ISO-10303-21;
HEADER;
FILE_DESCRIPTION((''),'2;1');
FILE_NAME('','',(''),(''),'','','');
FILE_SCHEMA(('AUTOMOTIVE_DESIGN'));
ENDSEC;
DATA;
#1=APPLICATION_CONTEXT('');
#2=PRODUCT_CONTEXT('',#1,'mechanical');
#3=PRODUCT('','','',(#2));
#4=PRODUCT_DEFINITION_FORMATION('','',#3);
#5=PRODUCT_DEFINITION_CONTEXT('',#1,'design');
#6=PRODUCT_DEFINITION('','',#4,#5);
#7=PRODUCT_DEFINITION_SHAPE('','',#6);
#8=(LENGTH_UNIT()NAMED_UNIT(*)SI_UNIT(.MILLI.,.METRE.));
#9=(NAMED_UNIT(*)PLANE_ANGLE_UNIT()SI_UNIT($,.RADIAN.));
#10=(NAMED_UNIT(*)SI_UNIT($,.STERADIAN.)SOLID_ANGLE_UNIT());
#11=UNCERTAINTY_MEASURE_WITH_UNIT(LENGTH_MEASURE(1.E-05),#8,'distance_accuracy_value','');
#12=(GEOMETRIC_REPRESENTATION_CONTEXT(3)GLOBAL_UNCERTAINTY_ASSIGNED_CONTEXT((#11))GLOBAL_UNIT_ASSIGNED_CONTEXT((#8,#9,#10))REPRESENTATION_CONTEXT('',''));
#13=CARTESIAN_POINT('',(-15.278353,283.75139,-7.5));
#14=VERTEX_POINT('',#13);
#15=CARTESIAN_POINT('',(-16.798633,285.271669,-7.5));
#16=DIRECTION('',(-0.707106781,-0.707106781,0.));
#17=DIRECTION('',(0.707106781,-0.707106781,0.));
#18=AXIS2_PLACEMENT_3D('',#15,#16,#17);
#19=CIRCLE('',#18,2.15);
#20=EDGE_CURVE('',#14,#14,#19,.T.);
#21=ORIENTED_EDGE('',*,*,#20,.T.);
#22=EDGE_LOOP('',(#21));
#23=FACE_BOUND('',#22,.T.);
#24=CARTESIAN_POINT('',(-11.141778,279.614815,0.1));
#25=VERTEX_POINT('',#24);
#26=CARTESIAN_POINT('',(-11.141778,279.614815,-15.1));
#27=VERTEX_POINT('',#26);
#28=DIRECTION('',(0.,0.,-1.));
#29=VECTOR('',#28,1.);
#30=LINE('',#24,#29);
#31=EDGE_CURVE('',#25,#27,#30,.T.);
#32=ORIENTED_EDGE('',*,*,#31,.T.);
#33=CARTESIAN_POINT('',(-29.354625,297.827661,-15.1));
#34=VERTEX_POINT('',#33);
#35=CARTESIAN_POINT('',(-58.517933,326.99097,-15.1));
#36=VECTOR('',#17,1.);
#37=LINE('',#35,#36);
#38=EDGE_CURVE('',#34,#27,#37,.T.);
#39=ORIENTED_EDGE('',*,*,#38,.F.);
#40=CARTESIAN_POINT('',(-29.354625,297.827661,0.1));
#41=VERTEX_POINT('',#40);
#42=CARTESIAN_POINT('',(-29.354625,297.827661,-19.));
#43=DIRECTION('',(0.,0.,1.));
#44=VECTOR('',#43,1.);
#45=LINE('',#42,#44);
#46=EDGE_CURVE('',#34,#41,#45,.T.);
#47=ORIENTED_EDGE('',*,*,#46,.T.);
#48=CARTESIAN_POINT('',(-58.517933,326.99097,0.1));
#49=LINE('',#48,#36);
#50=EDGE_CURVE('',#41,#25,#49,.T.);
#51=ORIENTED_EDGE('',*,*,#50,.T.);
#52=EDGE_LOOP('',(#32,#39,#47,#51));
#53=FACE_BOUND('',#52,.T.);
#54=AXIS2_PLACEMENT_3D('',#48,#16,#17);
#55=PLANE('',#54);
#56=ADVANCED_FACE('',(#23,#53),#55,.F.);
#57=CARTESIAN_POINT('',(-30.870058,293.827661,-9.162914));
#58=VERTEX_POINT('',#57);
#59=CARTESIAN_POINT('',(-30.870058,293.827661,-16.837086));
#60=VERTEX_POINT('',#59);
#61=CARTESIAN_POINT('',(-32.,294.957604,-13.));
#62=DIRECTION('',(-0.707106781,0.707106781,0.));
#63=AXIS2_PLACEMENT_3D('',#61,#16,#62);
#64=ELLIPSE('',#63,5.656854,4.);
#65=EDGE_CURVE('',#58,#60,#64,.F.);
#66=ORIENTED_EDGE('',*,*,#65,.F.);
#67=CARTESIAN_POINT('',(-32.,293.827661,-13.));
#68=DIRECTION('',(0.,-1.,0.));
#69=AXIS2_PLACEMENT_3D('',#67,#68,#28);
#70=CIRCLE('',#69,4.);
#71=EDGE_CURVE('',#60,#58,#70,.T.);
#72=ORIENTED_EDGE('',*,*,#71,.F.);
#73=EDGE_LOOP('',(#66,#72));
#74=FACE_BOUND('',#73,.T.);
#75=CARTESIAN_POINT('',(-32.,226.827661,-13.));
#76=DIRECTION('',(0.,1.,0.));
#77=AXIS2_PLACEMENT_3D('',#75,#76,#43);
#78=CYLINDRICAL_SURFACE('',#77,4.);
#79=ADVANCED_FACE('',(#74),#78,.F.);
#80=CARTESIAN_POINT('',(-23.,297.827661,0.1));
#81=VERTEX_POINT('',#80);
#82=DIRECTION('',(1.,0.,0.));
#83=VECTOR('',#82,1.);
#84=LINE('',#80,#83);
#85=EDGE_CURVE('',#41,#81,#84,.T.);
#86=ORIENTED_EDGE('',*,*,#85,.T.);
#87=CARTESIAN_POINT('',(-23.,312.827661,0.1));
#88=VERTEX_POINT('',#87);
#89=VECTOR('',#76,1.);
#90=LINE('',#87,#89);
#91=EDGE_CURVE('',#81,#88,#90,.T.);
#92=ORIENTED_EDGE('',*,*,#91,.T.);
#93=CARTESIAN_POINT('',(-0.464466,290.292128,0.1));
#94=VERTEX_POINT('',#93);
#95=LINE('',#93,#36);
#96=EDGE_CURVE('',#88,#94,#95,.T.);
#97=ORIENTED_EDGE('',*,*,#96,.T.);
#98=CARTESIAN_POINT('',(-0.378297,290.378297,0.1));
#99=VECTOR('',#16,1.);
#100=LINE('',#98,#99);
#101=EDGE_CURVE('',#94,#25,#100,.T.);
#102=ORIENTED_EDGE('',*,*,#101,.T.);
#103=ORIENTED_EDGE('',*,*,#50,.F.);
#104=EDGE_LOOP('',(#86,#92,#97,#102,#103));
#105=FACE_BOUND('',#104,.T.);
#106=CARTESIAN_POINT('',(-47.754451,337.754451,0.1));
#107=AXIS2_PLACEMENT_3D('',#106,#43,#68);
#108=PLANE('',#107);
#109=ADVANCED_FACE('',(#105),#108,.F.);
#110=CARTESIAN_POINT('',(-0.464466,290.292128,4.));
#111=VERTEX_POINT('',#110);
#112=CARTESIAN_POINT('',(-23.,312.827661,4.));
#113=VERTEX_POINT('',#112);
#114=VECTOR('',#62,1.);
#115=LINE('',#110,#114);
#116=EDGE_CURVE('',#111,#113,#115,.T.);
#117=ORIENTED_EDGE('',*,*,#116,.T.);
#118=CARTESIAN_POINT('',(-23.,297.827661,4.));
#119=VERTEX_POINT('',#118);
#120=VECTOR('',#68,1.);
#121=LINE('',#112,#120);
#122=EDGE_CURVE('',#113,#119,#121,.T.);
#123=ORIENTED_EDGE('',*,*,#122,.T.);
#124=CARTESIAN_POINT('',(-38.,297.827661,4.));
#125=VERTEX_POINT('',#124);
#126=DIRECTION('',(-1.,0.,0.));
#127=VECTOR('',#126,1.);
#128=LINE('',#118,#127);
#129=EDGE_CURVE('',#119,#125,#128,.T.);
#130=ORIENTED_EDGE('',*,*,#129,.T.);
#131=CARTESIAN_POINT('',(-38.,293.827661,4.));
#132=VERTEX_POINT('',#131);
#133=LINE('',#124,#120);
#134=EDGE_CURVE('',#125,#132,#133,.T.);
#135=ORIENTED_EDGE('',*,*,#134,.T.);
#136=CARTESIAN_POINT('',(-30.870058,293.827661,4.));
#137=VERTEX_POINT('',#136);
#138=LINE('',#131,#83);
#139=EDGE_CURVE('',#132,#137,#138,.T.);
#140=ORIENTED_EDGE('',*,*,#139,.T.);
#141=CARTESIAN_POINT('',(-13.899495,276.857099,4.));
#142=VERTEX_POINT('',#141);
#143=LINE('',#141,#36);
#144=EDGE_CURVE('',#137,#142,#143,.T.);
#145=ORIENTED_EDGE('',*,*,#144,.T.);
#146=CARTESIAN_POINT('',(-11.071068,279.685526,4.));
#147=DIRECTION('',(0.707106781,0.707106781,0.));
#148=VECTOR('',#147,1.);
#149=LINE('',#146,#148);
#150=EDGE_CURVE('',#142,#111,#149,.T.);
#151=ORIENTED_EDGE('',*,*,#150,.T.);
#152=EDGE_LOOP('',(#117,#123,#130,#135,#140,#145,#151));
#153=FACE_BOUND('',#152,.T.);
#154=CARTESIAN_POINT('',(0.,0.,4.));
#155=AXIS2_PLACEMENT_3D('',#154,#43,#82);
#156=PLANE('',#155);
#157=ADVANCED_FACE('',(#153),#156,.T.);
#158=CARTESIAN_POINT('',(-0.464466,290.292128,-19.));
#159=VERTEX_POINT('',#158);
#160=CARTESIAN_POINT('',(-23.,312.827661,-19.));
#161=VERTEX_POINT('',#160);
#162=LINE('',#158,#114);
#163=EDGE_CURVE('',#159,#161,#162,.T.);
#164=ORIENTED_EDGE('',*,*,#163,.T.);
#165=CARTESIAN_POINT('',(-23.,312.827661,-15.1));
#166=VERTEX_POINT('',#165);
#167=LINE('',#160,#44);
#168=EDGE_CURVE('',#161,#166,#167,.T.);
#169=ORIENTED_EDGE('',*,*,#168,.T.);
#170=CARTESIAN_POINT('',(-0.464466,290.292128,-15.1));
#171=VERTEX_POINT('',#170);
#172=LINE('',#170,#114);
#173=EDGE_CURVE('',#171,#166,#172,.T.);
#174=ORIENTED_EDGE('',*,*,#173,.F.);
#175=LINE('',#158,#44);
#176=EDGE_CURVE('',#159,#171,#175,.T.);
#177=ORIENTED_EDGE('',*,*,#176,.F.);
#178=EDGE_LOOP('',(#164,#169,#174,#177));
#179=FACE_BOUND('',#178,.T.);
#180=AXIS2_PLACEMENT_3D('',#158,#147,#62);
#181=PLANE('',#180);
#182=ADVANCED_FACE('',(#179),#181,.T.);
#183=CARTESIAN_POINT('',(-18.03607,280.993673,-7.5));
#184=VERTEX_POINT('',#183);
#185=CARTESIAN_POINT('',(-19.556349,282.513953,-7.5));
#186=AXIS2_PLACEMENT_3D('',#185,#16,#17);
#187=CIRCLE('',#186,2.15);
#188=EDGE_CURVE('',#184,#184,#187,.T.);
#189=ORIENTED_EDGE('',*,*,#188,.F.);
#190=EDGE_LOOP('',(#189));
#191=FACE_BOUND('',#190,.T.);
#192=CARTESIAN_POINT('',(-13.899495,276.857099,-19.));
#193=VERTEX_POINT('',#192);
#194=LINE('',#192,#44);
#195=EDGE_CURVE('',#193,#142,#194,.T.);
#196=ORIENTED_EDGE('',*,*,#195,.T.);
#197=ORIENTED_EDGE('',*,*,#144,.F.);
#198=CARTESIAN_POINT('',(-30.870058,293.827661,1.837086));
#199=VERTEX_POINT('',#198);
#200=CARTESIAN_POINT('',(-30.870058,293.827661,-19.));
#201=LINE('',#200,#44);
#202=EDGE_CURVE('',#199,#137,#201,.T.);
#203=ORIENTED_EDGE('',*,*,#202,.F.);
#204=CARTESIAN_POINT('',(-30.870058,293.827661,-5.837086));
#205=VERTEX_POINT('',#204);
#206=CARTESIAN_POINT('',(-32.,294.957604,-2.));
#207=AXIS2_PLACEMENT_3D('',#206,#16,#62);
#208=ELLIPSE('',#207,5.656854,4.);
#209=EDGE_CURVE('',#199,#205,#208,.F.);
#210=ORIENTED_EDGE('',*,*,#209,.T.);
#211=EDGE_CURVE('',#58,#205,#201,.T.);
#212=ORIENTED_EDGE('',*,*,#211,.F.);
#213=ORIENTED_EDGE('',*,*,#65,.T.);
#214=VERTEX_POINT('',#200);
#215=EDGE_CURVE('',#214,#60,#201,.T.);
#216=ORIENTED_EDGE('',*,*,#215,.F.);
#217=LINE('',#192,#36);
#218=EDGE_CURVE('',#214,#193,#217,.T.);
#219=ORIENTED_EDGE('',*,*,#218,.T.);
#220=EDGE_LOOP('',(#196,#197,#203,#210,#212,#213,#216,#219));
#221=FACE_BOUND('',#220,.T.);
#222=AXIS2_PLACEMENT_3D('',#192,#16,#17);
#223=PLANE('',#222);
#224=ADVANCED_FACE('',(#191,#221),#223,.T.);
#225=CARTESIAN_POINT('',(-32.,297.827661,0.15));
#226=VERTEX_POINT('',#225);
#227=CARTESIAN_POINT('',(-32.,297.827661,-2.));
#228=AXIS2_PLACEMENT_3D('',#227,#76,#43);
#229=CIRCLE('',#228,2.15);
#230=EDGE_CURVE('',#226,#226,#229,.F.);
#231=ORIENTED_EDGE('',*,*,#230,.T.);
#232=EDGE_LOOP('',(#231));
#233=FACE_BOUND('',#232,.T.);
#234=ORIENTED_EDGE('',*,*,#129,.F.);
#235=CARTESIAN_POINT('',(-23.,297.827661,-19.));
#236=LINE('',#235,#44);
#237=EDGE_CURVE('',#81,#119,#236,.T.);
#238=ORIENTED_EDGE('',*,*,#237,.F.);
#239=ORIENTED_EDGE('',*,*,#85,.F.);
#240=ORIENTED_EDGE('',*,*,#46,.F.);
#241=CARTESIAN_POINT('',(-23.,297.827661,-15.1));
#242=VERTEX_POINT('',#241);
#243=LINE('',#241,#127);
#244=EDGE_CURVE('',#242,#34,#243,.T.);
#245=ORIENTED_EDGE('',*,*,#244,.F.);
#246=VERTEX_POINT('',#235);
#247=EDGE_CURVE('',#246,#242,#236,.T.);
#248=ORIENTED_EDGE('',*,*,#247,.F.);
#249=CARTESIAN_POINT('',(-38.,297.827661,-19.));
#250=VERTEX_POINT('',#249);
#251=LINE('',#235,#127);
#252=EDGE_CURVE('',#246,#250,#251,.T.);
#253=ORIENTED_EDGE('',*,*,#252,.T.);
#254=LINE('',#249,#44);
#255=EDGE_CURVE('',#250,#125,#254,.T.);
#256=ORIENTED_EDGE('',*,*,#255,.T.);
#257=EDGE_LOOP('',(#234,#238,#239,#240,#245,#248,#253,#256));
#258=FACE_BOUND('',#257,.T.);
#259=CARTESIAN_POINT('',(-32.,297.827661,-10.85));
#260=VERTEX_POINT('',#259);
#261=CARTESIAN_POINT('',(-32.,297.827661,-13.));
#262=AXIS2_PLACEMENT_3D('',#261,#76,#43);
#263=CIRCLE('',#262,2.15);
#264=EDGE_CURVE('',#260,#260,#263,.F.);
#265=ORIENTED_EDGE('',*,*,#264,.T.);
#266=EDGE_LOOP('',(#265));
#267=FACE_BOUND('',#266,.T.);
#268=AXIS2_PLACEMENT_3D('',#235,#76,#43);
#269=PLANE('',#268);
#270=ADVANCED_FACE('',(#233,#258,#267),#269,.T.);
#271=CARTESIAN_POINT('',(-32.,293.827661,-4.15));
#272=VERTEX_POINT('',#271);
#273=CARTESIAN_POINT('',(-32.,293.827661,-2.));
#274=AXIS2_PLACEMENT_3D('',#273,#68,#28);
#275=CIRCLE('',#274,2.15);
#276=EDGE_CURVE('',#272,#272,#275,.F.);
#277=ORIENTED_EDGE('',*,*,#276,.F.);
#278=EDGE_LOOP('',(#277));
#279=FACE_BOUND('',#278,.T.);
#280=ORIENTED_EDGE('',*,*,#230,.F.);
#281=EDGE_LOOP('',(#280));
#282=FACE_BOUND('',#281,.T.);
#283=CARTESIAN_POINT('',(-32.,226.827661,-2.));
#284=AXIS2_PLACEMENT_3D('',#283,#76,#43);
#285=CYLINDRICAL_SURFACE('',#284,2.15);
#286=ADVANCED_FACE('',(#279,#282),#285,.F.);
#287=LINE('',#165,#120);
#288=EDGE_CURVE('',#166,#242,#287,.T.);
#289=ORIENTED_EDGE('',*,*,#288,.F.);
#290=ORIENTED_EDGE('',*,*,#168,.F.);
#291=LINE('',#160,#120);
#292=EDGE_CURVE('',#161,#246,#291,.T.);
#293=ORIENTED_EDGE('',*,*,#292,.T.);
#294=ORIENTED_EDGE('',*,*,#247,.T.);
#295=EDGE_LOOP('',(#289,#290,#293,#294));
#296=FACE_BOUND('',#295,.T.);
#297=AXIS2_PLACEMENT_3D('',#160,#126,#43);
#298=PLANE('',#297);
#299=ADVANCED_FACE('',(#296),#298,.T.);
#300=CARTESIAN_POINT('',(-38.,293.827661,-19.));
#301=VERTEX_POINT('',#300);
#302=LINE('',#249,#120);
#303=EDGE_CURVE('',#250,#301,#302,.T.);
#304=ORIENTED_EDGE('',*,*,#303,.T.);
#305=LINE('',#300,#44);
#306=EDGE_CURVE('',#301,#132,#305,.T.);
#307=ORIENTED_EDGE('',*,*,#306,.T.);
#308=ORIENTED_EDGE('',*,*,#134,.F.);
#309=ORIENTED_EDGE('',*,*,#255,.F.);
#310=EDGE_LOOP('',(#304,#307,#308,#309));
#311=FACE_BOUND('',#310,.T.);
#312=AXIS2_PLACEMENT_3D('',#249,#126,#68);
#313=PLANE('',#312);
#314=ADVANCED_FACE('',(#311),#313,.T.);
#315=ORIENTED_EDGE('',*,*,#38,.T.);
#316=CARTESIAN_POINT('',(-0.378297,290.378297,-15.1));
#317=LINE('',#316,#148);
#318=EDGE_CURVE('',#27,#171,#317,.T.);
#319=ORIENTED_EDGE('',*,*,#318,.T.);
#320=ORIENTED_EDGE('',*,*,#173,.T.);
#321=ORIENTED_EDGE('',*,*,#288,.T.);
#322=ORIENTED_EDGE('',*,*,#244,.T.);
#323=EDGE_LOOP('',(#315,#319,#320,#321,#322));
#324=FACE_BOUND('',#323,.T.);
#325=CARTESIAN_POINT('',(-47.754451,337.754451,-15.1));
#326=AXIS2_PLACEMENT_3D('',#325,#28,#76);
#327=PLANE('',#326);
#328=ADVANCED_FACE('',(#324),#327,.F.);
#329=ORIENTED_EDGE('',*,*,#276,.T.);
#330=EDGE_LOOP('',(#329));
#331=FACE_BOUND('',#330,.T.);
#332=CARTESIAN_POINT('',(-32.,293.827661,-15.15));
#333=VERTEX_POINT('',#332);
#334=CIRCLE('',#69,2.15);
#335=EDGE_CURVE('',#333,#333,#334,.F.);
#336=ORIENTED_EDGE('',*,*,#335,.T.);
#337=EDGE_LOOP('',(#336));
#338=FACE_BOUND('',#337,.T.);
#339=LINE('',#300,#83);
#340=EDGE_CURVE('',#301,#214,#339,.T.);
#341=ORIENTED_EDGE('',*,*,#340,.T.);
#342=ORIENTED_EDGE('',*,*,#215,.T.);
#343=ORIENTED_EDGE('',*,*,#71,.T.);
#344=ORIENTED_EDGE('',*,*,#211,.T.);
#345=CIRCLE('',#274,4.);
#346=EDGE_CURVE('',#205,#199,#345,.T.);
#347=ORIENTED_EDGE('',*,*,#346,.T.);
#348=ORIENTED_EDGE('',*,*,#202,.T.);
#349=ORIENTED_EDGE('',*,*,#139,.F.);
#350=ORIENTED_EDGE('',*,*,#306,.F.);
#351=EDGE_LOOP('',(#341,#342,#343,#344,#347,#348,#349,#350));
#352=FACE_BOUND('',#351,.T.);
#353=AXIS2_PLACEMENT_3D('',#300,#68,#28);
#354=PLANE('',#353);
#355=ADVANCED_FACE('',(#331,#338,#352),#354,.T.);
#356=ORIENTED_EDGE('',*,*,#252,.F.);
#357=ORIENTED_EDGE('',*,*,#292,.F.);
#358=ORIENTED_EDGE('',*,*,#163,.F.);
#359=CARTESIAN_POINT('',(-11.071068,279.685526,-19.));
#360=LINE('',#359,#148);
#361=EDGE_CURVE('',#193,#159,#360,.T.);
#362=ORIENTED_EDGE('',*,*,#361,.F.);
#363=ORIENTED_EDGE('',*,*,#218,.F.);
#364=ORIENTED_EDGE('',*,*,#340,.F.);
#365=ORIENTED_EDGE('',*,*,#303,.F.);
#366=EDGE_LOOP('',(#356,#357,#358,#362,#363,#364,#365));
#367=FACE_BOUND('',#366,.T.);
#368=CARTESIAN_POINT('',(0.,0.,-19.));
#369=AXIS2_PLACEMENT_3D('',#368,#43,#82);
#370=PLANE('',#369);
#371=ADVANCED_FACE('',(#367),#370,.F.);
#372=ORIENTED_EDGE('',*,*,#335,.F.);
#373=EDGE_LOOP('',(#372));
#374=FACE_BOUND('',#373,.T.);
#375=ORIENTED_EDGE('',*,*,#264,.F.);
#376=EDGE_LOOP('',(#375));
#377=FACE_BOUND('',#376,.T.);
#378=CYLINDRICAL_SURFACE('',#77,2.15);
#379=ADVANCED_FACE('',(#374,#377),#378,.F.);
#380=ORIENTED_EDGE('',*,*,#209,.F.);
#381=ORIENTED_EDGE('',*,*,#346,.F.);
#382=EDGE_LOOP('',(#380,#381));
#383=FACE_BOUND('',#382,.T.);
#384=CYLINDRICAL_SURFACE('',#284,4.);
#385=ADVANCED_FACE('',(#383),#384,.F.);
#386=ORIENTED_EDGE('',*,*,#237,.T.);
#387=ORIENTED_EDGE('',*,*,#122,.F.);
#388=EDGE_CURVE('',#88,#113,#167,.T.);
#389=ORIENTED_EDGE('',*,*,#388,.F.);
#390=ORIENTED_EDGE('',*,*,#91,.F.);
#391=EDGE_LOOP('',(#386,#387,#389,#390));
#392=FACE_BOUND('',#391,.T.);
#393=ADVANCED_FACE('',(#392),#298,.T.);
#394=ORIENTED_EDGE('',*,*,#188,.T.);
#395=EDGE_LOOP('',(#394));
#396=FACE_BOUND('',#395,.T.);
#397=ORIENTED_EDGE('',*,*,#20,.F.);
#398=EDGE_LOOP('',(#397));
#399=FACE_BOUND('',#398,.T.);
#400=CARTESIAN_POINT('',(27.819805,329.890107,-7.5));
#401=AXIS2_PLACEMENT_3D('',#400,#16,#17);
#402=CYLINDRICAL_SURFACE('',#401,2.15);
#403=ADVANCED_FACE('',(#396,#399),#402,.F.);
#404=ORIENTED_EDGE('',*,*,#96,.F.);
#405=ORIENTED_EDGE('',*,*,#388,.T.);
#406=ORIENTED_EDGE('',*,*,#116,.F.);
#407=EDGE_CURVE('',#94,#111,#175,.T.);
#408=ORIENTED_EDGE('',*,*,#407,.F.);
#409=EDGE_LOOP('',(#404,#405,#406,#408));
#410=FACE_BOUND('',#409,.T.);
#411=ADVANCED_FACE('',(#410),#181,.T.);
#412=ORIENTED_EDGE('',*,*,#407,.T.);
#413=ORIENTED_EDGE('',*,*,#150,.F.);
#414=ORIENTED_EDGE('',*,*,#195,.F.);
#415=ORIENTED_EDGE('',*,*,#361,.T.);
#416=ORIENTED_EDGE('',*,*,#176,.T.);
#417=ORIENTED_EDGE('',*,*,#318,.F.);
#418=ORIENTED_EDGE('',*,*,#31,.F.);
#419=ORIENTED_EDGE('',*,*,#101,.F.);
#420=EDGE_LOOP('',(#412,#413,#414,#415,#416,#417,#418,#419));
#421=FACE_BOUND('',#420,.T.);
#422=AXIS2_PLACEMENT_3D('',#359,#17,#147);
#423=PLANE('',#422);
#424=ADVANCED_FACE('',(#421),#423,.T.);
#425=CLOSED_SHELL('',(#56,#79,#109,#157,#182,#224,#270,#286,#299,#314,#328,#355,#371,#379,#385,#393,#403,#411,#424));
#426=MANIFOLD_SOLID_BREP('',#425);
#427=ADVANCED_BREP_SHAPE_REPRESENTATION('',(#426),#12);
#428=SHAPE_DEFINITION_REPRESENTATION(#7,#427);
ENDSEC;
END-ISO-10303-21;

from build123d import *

# Parameters (mm, degrees)
EXTRUDE_1_DEPTH          = 4
EXTRUDE_1_DEPTH_BACK     = 19
SKETCH_2_W               = 15.2
SKETCH_2_H               = 15.221861726
CUT_EXTRUDE_1_DEPTH      = 67
CUT_EXTRUDE_2_DEPTH      = 67
CUT_EXTRUDE_2_DEPTH_BACK = 67
SKETCH_3_R               = 2.15
SKETCH_4_R               = 4
CUT_EXTRUDE_3_DEPTH      = 67
SKETCH_5_R               = 2.15
CUT_EXTRUDE_4_DEPTH      = 67


with BuildPart() as part:
    # 草图1 → 凸台-拉伸1 (new, two sides: drawn at the far end of the back side and taken through both)
    with BuildSketch(Plane.XY.offset(-EXTRUDE_1_DEPTH_BACK)):
        Polygon((-23, 312.827661494), (-23, 297.827661494), (-38, 297.827661494), (-38, 293.827661494), (-30.870057685, 293.827661494), (-13.899494937, 276.857098745), (-11.071067812, 279.68552587), (-0.464466094, 290.292127588), align=None)
    extrude(amount=EXTRUDE_1_DEPTH + EXTRUDE_1_DEPTH_BACK)

    # 草图2 → 切除-拉伸1 (cut)
    with BuildSketch(Plane(origin=(-145.378296841, 145.378296841, 0), x_dir=(0, 0, -1), z_dir=(0.7071067811865483, -0.7071067811865468, 0))):
        with Locations((7.5, 197.450035681)):
            Rectangle(SKETCH_2_W, SKETCH_2_H)
    extrude(amount=-CUT_EXTRUDE_1_DEPTH, mode=Mode.SUBTRACT)

    # 草图3 → 切除-拉伸2 (cut, two sides: drawn at the far end of the back side and taken through both)
    with BuildSketch(Plane.XZ.offset(-293.827661494).offset(-CUT_EXTRUDE_2_DEPTH_BACK)):
        with Locations((-32, -2)):
            Circle(SKETCH_3_R)
        with Locations((-32, -13)):
            Circle(SKETCH_3_R)
    extrude(amount=CUT_EXTRUDE_2_DEPTH + CUT_EXTRUDE_2_DEPTH_BACK, mode=Mode.SUBTRACT)

    # 草图4 → 切除-拉伸3 (cut)
    with BuildSketch(Plane.XZ.offset(-293.827661494)):
        with Locations((-32, -2)):
            Circle(SKETCH_4_R)
        with Locations((-32, -13)):
            Circle(SKETCH_4_R)
    extrude(amount=CUT_EXTRUDE_3_DEPTH, mode=Mode.SUBTRACT)

    # 草图5 → 切除-拉伸4 (cut)
    with BuildSketch(Plane(origin=(131.478801904, 131.478801904, 0), x_dir=(0, 0, 1), z_dir=(-0.7071067811865472, -0.7071067811865478, 0))):
        with Locations((-7.5, 213.595959067)):
            Circle(SKETCH_5_R)
    extrude(amount=-CUT_EXTRUDE_4_DEPTH, mode=Mode.SUBTRACT)


solid = part.part
